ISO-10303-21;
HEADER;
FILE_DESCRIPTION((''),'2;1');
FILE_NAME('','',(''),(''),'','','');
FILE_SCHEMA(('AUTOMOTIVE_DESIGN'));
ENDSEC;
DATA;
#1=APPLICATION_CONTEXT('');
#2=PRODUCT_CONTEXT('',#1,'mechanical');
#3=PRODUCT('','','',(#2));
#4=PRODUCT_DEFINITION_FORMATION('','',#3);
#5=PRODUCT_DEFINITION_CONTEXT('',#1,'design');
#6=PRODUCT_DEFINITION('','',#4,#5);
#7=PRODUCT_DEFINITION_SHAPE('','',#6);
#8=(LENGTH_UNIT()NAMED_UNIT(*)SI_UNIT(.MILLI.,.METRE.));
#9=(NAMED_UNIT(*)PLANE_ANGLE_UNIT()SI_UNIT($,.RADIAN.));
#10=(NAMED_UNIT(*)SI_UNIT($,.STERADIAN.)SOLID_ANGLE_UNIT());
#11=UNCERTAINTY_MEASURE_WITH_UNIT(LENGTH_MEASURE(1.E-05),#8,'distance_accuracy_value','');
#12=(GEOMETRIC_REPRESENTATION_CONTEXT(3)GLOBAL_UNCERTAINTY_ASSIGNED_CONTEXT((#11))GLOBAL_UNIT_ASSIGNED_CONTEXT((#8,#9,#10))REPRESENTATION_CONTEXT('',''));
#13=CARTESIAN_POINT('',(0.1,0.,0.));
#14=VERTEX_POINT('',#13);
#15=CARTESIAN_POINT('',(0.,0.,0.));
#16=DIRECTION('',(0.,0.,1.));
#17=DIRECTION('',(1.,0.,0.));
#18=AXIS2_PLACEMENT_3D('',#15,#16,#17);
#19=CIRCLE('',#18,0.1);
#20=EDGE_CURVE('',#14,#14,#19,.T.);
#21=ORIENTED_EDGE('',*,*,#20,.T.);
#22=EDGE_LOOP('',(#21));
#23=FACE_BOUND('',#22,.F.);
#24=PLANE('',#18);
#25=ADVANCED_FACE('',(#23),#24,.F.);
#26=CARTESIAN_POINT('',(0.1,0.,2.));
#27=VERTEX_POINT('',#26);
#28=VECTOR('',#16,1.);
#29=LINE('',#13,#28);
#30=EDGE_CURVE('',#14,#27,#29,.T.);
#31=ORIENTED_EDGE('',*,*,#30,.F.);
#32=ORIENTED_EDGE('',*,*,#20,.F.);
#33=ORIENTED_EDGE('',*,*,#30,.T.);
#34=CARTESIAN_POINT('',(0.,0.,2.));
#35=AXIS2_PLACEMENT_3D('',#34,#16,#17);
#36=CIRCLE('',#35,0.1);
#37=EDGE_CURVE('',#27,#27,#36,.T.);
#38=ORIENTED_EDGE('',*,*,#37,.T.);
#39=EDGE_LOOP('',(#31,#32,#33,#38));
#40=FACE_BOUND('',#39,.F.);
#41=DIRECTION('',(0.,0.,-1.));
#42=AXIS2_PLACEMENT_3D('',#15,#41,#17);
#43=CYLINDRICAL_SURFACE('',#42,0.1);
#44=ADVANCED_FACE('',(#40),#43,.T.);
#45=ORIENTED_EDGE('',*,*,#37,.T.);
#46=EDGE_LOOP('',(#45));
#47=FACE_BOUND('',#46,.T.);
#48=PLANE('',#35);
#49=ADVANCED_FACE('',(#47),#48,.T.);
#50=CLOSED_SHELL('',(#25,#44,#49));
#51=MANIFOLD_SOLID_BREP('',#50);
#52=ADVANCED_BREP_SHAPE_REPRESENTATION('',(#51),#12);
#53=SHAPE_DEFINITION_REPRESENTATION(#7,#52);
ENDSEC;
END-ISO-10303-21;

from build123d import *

# Parameters (mm, degrees)
CROQUIS1_R              = 0.1
SALIENTE_EXTRUIR1_DEPTH = 2


with BuildPart() as part:
    # Croquis1 → Saliente-Extruir1 (new body)
    with BuildSketch(Plane.XY):
        Circle(CROQUIS1_R)
    extrude(amount=SALIENTE_EXTRUIR1_DEPTH)


solid = part.part
